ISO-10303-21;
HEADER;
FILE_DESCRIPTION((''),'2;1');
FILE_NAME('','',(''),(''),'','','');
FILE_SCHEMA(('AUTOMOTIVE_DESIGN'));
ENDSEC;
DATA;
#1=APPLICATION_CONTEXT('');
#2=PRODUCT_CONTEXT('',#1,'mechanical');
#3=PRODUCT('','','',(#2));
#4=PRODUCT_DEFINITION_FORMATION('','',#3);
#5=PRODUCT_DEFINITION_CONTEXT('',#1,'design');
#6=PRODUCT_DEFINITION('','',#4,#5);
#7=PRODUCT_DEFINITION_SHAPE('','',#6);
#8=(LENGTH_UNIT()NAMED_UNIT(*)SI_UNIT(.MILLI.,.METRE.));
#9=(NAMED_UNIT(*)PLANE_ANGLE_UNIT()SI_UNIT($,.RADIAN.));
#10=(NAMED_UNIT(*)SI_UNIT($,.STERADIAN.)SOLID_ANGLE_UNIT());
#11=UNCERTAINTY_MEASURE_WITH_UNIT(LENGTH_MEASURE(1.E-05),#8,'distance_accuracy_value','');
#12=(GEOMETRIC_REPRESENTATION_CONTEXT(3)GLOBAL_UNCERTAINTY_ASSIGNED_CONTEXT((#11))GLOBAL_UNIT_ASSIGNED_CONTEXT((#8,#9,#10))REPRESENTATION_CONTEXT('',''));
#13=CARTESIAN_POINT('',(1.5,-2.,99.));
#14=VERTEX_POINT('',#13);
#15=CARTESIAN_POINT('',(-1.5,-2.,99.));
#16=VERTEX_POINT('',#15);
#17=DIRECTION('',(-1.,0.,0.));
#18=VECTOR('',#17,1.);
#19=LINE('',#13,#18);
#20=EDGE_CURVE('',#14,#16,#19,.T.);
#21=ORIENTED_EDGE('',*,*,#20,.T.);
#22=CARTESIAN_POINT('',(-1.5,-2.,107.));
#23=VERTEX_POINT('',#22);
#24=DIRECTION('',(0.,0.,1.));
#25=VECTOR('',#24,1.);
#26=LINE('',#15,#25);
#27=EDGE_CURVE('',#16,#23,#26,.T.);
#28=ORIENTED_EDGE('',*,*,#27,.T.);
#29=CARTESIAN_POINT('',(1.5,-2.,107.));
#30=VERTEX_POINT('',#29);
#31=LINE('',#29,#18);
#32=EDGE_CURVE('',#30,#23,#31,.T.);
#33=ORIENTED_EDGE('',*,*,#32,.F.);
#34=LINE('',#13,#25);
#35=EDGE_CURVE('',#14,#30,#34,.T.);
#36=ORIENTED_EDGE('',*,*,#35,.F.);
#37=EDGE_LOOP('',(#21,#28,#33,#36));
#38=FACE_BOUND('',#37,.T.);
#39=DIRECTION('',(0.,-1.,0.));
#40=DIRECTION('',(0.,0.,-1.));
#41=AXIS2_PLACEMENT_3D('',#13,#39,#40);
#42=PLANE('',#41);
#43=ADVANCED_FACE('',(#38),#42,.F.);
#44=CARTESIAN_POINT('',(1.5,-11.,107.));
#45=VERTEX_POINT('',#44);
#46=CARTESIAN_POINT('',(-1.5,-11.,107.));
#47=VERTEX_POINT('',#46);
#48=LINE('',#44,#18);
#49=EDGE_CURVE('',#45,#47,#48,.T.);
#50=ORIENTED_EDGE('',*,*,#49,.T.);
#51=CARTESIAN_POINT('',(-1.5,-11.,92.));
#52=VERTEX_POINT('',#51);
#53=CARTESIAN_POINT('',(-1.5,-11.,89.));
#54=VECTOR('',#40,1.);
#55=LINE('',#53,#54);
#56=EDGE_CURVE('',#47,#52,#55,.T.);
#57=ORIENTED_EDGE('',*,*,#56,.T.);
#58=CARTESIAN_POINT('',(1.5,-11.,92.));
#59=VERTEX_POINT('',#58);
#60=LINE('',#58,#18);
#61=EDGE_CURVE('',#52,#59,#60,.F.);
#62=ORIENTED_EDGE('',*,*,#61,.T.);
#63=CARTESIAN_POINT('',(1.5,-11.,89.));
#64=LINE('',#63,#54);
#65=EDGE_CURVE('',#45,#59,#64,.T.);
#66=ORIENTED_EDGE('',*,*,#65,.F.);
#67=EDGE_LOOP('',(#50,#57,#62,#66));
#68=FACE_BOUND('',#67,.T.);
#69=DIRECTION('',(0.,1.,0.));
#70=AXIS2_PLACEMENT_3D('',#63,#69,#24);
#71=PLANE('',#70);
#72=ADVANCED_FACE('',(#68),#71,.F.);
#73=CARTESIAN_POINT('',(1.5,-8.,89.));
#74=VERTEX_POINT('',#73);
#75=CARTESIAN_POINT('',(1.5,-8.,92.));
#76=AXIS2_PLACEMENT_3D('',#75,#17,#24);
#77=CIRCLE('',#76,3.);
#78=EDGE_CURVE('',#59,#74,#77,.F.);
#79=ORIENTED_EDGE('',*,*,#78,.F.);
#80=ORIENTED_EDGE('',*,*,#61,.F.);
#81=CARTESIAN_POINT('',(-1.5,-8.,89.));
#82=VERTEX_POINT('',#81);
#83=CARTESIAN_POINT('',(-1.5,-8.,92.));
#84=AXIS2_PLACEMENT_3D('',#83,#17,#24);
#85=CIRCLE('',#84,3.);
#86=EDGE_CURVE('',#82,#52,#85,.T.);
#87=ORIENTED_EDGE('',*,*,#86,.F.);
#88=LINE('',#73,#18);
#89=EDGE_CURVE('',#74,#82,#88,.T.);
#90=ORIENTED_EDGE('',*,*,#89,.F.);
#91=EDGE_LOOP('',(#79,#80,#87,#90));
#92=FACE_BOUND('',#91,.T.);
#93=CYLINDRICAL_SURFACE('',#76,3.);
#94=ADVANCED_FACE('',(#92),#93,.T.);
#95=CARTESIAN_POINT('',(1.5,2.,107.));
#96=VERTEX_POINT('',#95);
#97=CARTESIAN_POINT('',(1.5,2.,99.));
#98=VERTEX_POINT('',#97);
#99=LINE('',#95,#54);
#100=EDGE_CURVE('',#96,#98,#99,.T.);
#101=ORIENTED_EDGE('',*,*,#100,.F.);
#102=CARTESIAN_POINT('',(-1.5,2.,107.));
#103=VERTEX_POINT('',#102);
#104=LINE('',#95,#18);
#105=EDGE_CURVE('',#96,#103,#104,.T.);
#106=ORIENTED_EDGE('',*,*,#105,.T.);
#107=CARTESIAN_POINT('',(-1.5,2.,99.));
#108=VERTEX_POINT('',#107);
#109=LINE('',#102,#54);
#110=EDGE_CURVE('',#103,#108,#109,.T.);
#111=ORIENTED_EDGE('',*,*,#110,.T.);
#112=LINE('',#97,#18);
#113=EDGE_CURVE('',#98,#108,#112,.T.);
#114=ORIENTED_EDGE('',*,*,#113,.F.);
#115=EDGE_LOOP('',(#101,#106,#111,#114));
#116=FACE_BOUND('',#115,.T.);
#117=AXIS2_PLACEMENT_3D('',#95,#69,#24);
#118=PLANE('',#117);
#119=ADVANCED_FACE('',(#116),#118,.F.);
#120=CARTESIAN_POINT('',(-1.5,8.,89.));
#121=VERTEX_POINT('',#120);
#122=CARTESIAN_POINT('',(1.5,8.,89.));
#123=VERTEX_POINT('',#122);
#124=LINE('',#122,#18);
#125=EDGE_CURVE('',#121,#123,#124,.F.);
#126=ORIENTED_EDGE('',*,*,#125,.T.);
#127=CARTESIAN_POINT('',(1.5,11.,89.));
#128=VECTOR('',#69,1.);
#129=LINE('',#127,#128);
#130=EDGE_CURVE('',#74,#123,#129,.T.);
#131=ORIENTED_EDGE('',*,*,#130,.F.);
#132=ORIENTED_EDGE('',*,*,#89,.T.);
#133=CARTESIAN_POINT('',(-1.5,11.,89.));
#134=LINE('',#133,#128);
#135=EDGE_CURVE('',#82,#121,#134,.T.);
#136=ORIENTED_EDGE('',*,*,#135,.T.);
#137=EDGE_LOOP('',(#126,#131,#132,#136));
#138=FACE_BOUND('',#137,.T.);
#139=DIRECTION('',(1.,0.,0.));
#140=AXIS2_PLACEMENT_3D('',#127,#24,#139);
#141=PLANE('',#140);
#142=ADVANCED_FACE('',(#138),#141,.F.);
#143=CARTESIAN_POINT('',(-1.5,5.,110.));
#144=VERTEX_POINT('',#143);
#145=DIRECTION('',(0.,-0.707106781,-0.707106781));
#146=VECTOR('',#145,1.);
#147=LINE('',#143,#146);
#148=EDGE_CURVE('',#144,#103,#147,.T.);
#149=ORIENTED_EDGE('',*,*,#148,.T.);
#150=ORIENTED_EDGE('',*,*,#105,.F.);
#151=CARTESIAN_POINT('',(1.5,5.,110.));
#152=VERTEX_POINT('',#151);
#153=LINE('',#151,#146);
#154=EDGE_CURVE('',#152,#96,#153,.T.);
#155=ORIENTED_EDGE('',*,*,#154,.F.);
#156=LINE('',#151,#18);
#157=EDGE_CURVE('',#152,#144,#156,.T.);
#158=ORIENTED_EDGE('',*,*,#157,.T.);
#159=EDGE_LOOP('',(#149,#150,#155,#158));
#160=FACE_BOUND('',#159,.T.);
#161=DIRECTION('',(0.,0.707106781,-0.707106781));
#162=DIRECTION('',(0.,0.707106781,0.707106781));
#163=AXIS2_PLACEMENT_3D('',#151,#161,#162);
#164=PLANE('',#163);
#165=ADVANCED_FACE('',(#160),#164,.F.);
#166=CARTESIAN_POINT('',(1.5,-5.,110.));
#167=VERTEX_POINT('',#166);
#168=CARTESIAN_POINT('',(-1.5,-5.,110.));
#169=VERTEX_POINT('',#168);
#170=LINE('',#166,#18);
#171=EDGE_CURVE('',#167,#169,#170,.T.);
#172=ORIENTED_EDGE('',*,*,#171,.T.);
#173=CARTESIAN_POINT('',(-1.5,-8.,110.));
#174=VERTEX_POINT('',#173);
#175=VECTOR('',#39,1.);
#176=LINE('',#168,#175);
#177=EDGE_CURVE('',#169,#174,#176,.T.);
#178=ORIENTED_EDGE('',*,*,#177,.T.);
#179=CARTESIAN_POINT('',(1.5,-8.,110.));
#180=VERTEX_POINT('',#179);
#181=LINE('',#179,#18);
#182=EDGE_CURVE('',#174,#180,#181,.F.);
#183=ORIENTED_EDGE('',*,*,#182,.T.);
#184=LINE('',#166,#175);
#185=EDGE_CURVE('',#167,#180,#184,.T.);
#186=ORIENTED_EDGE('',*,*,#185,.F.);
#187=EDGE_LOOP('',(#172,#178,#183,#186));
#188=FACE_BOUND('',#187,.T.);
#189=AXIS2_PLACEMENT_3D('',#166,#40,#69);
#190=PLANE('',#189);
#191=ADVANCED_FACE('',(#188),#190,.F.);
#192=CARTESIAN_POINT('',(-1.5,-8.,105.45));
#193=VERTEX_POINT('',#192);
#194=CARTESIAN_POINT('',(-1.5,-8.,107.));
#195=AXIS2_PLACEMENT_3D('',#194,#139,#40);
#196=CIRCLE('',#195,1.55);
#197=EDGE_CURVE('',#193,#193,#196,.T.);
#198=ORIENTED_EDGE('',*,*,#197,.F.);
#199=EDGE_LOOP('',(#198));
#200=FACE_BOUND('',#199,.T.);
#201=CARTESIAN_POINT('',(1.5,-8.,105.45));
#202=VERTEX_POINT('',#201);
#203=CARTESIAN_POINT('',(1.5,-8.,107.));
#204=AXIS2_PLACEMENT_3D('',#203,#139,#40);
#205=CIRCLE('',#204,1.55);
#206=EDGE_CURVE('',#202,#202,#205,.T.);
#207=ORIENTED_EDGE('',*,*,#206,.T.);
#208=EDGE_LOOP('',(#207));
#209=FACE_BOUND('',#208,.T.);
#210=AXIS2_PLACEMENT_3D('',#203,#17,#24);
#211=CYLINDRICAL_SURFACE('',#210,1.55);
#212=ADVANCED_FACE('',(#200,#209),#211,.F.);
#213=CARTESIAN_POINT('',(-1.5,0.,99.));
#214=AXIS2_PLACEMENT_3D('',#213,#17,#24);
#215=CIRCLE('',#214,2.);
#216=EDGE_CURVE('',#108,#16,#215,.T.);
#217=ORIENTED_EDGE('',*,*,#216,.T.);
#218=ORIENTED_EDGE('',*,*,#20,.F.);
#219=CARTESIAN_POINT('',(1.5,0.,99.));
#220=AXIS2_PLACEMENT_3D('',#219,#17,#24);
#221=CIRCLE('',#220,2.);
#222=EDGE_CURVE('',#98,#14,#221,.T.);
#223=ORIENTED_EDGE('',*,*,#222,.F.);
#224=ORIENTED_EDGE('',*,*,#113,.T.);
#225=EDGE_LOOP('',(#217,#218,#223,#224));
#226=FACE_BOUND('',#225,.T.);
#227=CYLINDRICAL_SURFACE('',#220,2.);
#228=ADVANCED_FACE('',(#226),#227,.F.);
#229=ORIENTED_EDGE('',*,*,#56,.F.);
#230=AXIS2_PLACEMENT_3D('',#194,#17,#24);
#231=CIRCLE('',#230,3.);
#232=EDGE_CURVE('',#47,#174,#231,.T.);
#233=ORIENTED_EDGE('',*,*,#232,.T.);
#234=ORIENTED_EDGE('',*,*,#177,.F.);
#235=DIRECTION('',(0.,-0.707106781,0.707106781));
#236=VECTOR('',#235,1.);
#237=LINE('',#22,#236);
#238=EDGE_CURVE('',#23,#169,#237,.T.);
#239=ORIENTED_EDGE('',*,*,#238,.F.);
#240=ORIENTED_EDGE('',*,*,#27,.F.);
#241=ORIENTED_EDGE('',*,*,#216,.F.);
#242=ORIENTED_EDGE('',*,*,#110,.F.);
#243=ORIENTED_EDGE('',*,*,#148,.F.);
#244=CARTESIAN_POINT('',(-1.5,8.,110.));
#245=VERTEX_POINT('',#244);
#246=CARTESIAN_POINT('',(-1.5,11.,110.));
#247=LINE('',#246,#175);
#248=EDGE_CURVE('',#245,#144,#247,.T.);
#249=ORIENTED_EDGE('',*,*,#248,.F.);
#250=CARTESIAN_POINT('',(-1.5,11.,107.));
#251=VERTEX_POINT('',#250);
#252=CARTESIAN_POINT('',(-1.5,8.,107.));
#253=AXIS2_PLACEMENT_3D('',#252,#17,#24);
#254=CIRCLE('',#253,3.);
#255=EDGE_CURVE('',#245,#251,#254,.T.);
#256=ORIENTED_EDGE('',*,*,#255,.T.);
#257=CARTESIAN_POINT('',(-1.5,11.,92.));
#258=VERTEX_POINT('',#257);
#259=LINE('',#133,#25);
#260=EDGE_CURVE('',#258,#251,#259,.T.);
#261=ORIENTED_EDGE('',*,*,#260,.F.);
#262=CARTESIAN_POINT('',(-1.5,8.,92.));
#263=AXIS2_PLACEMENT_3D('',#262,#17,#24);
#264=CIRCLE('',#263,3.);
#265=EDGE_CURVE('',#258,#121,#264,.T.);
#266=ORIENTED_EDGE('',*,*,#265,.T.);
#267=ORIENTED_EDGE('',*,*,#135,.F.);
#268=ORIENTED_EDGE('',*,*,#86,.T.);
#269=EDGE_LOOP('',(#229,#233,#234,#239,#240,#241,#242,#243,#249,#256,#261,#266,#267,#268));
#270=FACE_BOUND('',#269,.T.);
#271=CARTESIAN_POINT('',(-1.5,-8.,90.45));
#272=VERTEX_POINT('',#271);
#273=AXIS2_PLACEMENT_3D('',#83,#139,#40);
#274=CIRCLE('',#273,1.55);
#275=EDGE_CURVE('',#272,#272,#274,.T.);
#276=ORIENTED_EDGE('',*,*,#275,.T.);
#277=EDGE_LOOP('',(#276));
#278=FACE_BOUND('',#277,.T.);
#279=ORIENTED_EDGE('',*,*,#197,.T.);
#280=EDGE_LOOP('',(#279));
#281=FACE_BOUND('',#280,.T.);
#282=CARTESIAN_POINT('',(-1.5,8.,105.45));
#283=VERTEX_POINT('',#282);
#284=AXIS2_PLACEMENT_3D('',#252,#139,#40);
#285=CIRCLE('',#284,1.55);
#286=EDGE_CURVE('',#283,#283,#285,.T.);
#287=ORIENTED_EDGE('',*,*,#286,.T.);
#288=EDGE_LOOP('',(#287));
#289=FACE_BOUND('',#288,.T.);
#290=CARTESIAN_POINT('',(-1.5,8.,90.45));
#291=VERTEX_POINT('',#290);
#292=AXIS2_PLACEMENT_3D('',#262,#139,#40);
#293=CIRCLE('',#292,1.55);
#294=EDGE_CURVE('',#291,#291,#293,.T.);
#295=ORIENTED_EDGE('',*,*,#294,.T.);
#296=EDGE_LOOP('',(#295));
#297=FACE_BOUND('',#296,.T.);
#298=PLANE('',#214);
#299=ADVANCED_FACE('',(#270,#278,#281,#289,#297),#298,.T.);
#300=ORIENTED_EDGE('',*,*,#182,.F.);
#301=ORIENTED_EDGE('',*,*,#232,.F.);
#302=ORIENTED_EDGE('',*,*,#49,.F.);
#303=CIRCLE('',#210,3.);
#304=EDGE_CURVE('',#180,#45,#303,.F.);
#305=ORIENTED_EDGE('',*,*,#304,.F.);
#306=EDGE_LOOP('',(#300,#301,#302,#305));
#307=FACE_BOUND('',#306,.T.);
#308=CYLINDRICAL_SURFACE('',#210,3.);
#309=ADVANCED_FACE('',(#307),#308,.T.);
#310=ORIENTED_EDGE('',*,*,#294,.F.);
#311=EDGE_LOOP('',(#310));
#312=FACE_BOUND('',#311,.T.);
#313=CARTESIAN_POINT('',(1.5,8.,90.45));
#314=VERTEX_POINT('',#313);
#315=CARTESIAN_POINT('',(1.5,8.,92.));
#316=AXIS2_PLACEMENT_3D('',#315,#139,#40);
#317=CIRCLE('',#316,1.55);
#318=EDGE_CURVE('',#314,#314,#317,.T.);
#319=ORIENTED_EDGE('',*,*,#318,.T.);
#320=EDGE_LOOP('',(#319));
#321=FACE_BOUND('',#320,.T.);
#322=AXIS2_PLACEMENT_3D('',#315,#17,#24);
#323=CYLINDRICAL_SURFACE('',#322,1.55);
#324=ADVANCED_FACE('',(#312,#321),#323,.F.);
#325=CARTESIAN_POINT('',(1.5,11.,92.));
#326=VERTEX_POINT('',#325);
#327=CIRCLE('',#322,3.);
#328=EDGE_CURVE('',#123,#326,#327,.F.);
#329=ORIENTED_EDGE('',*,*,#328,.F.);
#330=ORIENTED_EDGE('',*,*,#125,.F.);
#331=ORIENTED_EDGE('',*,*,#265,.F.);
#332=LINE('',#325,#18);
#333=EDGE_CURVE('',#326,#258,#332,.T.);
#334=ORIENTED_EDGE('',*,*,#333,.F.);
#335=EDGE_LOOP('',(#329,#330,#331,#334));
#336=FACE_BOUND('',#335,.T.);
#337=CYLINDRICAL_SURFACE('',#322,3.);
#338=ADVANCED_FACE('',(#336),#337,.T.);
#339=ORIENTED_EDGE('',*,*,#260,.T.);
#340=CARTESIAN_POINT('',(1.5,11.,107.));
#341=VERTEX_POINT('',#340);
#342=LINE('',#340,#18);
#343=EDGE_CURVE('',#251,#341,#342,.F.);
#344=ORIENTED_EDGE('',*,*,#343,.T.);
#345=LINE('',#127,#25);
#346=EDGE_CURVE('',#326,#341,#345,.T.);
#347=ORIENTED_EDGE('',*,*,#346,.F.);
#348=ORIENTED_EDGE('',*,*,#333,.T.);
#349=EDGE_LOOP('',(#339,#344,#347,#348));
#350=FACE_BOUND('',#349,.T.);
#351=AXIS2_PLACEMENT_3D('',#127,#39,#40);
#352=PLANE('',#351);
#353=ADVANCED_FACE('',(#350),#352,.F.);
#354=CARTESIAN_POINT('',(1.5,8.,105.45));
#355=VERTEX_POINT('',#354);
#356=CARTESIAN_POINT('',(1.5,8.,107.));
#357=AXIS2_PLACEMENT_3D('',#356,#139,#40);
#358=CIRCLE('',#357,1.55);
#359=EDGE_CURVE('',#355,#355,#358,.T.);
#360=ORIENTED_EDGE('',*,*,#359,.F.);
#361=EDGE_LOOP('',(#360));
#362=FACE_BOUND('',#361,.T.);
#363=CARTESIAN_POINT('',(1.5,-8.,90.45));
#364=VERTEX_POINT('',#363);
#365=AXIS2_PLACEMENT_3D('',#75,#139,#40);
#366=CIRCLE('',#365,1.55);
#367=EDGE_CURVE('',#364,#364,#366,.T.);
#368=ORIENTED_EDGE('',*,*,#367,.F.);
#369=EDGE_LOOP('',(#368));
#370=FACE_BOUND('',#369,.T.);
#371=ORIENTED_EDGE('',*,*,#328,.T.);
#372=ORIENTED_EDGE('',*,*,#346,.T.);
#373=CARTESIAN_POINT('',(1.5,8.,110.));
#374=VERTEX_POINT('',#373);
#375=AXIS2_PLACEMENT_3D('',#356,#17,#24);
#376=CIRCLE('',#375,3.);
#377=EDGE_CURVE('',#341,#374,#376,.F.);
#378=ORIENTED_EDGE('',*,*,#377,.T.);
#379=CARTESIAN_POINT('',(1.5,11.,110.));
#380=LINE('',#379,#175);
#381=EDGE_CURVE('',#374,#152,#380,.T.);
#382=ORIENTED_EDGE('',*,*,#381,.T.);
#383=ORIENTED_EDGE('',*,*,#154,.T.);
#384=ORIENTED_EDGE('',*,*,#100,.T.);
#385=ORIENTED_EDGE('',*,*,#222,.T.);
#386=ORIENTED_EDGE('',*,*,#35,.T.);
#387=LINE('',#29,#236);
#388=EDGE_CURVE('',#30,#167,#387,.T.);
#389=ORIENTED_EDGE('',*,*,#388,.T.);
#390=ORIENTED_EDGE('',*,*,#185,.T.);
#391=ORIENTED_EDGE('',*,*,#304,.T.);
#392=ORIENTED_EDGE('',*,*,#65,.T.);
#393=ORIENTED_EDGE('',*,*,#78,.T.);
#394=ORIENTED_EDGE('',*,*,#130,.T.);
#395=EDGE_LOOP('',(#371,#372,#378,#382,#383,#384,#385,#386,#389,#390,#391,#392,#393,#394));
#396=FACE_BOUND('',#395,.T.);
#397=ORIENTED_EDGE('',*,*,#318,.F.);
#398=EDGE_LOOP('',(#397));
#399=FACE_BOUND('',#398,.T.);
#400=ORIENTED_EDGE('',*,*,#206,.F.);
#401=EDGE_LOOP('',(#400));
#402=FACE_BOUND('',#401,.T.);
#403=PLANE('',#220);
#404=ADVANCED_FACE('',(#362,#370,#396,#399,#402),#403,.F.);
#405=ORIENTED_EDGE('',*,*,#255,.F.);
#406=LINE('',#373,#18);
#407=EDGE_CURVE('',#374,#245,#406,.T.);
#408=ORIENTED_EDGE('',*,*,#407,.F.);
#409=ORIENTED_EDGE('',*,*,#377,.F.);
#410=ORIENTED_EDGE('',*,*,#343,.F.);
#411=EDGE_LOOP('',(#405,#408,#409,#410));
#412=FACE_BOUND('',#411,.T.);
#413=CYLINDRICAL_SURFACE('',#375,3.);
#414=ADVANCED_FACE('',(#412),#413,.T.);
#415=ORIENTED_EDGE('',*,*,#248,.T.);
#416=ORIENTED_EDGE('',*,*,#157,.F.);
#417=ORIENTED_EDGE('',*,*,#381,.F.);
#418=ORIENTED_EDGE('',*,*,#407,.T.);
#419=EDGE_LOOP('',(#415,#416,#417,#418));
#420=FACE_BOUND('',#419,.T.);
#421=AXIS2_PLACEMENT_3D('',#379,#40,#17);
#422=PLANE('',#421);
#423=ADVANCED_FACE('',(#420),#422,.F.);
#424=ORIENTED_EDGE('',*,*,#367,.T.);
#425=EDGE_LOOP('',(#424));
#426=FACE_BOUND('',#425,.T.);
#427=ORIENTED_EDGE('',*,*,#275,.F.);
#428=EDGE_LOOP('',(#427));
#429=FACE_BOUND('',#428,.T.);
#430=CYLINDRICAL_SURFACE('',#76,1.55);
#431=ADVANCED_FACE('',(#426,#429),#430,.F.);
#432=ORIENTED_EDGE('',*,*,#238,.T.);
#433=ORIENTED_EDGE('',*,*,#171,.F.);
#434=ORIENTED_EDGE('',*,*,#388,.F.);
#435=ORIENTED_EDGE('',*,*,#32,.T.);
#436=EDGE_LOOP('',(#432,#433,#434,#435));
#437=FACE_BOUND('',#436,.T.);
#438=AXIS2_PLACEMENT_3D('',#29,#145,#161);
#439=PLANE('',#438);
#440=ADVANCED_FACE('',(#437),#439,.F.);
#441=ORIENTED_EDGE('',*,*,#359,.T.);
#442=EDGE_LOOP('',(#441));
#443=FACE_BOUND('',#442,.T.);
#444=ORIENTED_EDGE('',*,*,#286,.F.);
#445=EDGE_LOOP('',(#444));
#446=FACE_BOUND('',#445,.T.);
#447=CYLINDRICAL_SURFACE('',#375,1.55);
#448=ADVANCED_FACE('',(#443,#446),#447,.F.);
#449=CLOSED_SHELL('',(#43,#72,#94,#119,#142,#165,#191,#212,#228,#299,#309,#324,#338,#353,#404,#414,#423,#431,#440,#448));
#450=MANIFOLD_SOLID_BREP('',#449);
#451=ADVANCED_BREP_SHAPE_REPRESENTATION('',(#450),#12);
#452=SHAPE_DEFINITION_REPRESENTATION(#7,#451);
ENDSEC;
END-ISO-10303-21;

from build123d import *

# Parameters (mm, degrees)
SKETCH_1_R      = 1.55
EXTRUDE_1_DEPTH = 1.5
FILLET_1_R      = 3


with BuildPart() as part:
    # 草图1 → 凸台-拉伸1 (new body, symmetric)
    with BuildSketch(Plane(origin=(0, 0, 0), x_dir=(0, 0, -1), z_dir=(1, 0, 0))):
        with BuildLine():
            Line((-89, 11), (-89, -11))
            Line((-89, -11), (-110, -11))
            Line((-110, -11), (-110, -5))
            Line((-110, -5), (-107, -2))
            Line((-107, -2), (-99, -2))
            ThreePointArc((-99, -2), (-97, 0), (-99, 2))
            Line((-99, 2), (-107, 2))
            Line((-107, 2), (-110, 5))
            Line((-110, 5), (-110, 11))
            Line((-110, 11), (-89, 11))
        make_face()
        with Locations((-107, 8)):
            Circle(SKETCH_1_R, mode=Mode.SUBTRACT)
        with Locations((-92, 8)):
            Circle(SKETCH_1_R, mode=Mode.SUBTRACT)
        with Locations((-92, -8)):
            Circle(SKETCH_1_R, mode=Mode.SUBTRACT)
        with Locations((-107, -8)):
            Circle(SKETCH_1_R, mode=Mode.SUBTRACT)
    extrude(amount=EXTRUDE_1_DEPTH, both=True)

    # 圆角1
    fillet_1_edges = [part.edges().sort_by_distance(p)[0] for p in [
        (0, 11, 110),
        (0, 11, 89),
        (0, -11, 89),
        (0, -11, 110),
    ]]
    fillet(fillet_1_edges, radius=FILLET_1_R)


solid = part.part
